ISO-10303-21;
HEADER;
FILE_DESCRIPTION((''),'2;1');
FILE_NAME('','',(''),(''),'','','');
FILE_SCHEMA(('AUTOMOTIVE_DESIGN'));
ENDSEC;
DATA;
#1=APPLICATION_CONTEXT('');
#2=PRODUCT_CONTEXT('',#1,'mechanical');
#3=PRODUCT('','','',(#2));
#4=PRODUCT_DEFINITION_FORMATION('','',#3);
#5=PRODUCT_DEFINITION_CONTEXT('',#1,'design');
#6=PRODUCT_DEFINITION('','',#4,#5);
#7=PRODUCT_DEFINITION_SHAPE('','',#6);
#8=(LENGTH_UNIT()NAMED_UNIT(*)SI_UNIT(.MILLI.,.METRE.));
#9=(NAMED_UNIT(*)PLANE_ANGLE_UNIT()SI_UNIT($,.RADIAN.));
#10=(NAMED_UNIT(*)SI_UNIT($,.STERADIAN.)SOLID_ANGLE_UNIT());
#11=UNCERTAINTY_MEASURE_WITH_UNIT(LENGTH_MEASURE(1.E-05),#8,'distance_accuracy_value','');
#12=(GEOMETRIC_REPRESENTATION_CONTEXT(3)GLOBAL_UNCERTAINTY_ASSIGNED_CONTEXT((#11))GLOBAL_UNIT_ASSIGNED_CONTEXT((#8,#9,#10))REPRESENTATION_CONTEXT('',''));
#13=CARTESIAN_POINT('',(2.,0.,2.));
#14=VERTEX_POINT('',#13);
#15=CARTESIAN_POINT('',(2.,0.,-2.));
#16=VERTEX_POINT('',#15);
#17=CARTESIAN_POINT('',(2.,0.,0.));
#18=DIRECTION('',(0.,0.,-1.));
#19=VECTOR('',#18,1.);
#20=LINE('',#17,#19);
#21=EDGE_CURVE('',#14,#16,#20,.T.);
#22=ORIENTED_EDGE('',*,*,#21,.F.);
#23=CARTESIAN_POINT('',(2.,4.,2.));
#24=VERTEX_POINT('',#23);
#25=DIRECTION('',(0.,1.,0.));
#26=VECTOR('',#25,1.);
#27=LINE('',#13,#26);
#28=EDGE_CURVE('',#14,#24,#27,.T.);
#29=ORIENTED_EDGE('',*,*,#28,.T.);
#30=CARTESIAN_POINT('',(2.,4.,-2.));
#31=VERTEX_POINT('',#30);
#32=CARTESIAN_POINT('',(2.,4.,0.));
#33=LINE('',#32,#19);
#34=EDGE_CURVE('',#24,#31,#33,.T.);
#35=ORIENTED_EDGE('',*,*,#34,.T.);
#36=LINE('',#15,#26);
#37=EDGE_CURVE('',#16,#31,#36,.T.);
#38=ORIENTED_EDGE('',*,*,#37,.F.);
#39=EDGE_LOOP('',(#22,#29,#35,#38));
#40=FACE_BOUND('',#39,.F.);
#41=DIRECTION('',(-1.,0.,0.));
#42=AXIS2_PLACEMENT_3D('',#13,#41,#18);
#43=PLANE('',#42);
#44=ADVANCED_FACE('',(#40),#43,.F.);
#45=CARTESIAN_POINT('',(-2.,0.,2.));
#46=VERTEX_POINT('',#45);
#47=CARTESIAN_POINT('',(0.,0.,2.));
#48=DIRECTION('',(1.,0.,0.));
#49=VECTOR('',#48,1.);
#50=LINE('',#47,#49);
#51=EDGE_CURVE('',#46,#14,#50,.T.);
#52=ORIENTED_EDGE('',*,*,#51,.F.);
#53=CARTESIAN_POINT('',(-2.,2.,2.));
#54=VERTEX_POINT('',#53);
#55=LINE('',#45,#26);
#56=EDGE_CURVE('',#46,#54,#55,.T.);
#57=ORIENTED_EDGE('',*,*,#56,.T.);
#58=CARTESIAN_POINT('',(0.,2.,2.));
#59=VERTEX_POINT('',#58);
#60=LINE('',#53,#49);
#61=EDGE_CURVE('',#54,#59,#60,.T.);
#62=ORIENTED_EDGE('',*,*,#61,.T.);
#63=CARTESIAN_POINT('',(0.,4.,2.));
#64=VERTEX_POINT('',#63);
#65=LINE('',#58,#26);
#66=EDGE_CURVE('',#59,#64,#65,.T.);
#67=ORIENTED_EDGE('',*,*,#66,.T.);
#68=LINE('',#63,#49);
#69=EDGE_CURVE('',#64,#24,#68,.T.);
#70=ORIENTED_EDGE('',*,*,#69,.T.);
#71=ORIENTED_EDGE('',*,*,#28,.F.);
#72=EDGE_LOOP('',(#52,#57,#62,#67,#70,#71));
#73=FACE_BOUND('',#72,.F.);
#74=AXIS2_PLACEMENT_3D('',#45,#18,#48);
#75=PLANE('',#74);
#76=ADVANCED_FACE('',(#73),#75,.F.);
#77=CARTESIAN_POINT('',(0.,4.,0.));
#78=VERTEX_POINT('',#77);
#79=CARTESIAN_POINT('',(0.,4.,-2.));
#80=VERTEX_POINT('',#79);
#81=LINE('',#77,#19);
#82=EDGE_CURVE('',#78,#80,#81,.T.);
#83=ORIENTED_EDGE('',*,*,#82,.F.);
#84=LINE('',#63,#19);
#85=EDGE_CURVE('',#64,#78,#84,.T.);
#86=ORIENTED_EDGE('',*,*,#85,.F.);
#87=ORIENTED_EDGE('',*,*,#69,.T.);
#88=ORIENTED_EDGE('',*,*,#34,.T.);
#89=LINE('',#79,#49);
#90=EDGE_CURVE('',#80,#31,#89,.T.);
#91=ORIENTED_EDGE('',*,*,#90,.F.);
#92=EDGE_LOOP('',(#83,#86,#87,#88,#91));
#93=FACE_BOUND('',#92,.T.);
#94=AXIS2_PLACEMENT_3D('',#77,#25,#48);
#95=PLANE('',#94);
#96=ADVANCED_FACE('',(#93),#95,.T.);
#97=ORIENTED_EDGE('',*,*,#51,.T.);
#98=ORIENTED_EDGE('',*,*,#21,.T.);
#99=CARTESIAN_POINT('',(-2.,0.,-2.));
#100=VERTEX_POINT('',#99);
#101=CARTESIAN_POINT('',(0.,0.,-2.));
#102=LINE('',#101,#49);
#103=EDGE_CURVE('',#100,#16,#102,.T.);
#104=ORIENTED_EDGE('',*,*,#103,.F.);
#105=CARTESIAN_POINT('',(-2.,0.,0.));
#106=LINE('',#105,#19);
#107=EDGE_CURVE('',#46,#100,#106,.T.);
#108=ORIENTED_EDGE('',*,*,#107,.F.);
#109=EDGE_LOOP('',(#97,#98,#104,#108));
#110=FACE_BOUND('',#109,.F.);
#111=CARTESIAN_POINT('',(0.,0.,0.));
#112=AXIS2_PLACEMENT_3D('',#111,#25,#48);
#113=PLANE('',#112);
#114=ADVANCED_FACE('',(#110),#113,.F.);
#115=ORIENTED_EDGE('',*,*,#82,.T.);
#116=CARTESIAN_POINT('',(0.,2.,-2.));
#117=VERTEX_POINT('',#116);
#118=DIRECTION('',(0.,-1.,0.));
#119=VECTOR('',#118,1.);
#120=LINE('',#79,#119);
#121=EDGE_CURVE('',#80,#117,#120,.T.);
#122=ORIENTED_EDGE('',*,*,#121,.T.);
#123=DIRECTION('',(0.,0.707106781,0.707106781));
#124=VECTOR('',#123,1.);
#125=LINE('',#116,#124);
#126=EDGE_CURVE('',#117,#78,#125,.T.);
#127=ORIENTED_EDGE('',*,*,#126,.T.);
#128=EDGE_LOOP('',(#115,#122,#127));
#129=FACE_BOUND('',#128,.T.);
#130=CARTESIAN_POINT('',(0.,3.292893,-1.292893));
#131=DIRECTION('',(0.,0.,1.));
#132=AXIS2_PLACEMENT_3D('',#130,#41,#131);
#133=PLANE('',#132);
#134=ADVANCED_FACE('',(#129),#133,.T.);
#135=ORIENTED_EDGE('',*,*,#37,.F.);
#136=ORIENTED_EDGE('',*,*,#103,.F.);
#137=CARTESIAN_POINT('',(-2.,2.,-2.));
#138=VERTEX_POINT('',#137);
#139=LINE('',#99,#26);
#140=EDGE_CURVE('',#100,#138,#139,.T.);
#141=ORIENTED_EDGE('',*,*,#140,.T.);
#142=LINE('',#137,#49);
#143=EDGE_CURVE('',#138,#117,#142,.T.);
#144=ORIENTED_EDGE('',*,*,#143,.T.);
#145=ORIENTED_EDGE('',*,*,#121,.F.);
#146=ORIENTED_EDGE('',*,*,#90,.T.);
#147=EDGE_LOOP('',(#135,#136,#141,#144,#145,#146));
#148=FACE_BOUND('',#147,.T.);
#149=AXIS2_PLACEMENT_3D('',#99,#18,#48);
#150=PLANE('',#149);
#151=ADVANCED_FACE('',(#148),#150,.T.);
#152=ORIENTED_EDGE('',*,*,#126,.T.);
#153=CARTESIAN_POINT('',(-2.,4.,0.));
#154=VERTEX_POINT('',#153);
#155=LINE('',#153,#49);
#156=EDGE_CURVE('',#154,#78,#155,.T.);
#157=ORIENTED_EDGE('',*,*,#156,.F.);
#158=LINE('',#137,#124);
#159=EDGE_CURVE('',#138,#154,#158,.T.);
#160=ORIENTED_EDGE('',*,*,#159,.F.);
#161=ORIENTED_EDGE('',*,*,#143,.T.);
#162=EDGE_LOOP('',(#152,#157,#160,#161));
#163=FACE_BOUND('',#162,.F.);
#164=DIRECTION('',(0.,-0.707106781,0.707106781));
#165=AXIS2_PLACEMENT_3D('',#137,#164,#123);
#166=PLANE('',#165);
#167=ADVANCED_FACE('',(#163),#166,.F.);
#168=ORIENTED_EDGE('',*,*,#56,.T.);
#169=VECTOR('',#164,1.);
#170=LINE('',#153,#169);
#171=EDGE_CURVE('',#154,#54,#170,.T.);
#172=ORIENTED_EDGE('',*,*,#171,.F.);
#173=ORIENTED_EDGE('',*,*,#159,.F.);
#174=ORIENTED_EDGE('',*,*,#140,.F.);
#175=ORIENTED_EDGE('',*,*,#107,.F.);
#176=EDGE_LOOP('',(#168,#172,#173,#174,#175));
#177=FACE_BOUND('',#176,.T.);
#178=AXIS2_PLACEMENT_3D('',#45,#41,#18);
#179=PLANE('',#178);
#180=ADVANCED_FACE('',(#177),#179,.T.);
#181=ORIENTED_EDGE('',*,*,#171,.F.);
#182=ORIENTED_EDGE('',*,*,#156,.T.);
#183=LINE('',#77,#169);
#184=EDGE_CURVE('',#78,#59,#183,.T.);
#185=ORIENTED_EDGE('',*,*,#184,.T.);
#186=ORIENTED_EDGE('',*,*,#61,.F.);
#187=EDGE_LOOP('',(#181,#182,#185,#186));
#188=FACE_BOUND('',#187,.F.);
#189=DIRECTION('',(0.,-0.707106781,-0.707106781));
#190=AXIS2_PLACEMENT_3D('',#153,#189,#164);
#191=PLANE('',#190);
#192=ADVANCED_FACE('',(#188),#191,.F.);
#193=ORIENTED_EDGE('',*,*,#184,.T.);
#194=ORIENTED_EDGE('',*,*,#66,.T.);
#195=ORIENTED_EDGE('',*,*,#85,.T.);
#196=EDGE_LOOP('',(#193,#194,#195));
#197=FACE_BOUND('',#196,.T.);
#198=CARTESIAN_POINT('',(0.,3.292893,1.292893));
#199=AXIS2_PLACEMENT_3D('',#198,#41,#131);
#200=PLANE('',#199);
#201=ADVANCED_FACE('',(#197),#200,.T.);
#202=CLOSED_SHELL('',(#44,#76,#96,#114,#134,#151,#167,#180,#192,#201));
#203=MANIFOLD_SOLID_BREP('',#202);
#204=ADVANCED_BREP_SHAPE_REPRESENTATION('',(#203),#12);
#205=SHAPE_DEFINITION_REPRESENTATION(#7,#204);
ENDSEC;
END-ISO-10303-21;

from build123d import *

# Parameters (mm, degrees)
SKETCH1_W           = 4
SKETCH1_H           = 4
BOSS_EXTRUDE1_DEPTH = 4
CUT_EXTRUDE1_DEPTH  = 2


with BuildPart() as part:
    # Sketch1 → Boss-Extrude1 (new body)
    with BuildSketch(Plane(origin=(0, 0, 0), x_dir=(1, 0, 0), z_dir=(0, 1, 0))):
        Rectangle(SKETCH1_W, SKETCH1_H)
    extrude(amount=BOSS_EXTRUDE1_DEPTH)

    # Sketch2 → Cut-Extrude1 (cut)
    with BuildSketch(Plane.ZY.offset(2)):
        Polygon((-2, 2), (0, 4), (-2, 4), align=None)
        Polygon((0, 4), (2, 2), (2, 4), align=None)
    extrude(amount=-CUT_EXTRUDE1_DEPTH, mode=Mode.SUBTRACT)


solid = part.part
